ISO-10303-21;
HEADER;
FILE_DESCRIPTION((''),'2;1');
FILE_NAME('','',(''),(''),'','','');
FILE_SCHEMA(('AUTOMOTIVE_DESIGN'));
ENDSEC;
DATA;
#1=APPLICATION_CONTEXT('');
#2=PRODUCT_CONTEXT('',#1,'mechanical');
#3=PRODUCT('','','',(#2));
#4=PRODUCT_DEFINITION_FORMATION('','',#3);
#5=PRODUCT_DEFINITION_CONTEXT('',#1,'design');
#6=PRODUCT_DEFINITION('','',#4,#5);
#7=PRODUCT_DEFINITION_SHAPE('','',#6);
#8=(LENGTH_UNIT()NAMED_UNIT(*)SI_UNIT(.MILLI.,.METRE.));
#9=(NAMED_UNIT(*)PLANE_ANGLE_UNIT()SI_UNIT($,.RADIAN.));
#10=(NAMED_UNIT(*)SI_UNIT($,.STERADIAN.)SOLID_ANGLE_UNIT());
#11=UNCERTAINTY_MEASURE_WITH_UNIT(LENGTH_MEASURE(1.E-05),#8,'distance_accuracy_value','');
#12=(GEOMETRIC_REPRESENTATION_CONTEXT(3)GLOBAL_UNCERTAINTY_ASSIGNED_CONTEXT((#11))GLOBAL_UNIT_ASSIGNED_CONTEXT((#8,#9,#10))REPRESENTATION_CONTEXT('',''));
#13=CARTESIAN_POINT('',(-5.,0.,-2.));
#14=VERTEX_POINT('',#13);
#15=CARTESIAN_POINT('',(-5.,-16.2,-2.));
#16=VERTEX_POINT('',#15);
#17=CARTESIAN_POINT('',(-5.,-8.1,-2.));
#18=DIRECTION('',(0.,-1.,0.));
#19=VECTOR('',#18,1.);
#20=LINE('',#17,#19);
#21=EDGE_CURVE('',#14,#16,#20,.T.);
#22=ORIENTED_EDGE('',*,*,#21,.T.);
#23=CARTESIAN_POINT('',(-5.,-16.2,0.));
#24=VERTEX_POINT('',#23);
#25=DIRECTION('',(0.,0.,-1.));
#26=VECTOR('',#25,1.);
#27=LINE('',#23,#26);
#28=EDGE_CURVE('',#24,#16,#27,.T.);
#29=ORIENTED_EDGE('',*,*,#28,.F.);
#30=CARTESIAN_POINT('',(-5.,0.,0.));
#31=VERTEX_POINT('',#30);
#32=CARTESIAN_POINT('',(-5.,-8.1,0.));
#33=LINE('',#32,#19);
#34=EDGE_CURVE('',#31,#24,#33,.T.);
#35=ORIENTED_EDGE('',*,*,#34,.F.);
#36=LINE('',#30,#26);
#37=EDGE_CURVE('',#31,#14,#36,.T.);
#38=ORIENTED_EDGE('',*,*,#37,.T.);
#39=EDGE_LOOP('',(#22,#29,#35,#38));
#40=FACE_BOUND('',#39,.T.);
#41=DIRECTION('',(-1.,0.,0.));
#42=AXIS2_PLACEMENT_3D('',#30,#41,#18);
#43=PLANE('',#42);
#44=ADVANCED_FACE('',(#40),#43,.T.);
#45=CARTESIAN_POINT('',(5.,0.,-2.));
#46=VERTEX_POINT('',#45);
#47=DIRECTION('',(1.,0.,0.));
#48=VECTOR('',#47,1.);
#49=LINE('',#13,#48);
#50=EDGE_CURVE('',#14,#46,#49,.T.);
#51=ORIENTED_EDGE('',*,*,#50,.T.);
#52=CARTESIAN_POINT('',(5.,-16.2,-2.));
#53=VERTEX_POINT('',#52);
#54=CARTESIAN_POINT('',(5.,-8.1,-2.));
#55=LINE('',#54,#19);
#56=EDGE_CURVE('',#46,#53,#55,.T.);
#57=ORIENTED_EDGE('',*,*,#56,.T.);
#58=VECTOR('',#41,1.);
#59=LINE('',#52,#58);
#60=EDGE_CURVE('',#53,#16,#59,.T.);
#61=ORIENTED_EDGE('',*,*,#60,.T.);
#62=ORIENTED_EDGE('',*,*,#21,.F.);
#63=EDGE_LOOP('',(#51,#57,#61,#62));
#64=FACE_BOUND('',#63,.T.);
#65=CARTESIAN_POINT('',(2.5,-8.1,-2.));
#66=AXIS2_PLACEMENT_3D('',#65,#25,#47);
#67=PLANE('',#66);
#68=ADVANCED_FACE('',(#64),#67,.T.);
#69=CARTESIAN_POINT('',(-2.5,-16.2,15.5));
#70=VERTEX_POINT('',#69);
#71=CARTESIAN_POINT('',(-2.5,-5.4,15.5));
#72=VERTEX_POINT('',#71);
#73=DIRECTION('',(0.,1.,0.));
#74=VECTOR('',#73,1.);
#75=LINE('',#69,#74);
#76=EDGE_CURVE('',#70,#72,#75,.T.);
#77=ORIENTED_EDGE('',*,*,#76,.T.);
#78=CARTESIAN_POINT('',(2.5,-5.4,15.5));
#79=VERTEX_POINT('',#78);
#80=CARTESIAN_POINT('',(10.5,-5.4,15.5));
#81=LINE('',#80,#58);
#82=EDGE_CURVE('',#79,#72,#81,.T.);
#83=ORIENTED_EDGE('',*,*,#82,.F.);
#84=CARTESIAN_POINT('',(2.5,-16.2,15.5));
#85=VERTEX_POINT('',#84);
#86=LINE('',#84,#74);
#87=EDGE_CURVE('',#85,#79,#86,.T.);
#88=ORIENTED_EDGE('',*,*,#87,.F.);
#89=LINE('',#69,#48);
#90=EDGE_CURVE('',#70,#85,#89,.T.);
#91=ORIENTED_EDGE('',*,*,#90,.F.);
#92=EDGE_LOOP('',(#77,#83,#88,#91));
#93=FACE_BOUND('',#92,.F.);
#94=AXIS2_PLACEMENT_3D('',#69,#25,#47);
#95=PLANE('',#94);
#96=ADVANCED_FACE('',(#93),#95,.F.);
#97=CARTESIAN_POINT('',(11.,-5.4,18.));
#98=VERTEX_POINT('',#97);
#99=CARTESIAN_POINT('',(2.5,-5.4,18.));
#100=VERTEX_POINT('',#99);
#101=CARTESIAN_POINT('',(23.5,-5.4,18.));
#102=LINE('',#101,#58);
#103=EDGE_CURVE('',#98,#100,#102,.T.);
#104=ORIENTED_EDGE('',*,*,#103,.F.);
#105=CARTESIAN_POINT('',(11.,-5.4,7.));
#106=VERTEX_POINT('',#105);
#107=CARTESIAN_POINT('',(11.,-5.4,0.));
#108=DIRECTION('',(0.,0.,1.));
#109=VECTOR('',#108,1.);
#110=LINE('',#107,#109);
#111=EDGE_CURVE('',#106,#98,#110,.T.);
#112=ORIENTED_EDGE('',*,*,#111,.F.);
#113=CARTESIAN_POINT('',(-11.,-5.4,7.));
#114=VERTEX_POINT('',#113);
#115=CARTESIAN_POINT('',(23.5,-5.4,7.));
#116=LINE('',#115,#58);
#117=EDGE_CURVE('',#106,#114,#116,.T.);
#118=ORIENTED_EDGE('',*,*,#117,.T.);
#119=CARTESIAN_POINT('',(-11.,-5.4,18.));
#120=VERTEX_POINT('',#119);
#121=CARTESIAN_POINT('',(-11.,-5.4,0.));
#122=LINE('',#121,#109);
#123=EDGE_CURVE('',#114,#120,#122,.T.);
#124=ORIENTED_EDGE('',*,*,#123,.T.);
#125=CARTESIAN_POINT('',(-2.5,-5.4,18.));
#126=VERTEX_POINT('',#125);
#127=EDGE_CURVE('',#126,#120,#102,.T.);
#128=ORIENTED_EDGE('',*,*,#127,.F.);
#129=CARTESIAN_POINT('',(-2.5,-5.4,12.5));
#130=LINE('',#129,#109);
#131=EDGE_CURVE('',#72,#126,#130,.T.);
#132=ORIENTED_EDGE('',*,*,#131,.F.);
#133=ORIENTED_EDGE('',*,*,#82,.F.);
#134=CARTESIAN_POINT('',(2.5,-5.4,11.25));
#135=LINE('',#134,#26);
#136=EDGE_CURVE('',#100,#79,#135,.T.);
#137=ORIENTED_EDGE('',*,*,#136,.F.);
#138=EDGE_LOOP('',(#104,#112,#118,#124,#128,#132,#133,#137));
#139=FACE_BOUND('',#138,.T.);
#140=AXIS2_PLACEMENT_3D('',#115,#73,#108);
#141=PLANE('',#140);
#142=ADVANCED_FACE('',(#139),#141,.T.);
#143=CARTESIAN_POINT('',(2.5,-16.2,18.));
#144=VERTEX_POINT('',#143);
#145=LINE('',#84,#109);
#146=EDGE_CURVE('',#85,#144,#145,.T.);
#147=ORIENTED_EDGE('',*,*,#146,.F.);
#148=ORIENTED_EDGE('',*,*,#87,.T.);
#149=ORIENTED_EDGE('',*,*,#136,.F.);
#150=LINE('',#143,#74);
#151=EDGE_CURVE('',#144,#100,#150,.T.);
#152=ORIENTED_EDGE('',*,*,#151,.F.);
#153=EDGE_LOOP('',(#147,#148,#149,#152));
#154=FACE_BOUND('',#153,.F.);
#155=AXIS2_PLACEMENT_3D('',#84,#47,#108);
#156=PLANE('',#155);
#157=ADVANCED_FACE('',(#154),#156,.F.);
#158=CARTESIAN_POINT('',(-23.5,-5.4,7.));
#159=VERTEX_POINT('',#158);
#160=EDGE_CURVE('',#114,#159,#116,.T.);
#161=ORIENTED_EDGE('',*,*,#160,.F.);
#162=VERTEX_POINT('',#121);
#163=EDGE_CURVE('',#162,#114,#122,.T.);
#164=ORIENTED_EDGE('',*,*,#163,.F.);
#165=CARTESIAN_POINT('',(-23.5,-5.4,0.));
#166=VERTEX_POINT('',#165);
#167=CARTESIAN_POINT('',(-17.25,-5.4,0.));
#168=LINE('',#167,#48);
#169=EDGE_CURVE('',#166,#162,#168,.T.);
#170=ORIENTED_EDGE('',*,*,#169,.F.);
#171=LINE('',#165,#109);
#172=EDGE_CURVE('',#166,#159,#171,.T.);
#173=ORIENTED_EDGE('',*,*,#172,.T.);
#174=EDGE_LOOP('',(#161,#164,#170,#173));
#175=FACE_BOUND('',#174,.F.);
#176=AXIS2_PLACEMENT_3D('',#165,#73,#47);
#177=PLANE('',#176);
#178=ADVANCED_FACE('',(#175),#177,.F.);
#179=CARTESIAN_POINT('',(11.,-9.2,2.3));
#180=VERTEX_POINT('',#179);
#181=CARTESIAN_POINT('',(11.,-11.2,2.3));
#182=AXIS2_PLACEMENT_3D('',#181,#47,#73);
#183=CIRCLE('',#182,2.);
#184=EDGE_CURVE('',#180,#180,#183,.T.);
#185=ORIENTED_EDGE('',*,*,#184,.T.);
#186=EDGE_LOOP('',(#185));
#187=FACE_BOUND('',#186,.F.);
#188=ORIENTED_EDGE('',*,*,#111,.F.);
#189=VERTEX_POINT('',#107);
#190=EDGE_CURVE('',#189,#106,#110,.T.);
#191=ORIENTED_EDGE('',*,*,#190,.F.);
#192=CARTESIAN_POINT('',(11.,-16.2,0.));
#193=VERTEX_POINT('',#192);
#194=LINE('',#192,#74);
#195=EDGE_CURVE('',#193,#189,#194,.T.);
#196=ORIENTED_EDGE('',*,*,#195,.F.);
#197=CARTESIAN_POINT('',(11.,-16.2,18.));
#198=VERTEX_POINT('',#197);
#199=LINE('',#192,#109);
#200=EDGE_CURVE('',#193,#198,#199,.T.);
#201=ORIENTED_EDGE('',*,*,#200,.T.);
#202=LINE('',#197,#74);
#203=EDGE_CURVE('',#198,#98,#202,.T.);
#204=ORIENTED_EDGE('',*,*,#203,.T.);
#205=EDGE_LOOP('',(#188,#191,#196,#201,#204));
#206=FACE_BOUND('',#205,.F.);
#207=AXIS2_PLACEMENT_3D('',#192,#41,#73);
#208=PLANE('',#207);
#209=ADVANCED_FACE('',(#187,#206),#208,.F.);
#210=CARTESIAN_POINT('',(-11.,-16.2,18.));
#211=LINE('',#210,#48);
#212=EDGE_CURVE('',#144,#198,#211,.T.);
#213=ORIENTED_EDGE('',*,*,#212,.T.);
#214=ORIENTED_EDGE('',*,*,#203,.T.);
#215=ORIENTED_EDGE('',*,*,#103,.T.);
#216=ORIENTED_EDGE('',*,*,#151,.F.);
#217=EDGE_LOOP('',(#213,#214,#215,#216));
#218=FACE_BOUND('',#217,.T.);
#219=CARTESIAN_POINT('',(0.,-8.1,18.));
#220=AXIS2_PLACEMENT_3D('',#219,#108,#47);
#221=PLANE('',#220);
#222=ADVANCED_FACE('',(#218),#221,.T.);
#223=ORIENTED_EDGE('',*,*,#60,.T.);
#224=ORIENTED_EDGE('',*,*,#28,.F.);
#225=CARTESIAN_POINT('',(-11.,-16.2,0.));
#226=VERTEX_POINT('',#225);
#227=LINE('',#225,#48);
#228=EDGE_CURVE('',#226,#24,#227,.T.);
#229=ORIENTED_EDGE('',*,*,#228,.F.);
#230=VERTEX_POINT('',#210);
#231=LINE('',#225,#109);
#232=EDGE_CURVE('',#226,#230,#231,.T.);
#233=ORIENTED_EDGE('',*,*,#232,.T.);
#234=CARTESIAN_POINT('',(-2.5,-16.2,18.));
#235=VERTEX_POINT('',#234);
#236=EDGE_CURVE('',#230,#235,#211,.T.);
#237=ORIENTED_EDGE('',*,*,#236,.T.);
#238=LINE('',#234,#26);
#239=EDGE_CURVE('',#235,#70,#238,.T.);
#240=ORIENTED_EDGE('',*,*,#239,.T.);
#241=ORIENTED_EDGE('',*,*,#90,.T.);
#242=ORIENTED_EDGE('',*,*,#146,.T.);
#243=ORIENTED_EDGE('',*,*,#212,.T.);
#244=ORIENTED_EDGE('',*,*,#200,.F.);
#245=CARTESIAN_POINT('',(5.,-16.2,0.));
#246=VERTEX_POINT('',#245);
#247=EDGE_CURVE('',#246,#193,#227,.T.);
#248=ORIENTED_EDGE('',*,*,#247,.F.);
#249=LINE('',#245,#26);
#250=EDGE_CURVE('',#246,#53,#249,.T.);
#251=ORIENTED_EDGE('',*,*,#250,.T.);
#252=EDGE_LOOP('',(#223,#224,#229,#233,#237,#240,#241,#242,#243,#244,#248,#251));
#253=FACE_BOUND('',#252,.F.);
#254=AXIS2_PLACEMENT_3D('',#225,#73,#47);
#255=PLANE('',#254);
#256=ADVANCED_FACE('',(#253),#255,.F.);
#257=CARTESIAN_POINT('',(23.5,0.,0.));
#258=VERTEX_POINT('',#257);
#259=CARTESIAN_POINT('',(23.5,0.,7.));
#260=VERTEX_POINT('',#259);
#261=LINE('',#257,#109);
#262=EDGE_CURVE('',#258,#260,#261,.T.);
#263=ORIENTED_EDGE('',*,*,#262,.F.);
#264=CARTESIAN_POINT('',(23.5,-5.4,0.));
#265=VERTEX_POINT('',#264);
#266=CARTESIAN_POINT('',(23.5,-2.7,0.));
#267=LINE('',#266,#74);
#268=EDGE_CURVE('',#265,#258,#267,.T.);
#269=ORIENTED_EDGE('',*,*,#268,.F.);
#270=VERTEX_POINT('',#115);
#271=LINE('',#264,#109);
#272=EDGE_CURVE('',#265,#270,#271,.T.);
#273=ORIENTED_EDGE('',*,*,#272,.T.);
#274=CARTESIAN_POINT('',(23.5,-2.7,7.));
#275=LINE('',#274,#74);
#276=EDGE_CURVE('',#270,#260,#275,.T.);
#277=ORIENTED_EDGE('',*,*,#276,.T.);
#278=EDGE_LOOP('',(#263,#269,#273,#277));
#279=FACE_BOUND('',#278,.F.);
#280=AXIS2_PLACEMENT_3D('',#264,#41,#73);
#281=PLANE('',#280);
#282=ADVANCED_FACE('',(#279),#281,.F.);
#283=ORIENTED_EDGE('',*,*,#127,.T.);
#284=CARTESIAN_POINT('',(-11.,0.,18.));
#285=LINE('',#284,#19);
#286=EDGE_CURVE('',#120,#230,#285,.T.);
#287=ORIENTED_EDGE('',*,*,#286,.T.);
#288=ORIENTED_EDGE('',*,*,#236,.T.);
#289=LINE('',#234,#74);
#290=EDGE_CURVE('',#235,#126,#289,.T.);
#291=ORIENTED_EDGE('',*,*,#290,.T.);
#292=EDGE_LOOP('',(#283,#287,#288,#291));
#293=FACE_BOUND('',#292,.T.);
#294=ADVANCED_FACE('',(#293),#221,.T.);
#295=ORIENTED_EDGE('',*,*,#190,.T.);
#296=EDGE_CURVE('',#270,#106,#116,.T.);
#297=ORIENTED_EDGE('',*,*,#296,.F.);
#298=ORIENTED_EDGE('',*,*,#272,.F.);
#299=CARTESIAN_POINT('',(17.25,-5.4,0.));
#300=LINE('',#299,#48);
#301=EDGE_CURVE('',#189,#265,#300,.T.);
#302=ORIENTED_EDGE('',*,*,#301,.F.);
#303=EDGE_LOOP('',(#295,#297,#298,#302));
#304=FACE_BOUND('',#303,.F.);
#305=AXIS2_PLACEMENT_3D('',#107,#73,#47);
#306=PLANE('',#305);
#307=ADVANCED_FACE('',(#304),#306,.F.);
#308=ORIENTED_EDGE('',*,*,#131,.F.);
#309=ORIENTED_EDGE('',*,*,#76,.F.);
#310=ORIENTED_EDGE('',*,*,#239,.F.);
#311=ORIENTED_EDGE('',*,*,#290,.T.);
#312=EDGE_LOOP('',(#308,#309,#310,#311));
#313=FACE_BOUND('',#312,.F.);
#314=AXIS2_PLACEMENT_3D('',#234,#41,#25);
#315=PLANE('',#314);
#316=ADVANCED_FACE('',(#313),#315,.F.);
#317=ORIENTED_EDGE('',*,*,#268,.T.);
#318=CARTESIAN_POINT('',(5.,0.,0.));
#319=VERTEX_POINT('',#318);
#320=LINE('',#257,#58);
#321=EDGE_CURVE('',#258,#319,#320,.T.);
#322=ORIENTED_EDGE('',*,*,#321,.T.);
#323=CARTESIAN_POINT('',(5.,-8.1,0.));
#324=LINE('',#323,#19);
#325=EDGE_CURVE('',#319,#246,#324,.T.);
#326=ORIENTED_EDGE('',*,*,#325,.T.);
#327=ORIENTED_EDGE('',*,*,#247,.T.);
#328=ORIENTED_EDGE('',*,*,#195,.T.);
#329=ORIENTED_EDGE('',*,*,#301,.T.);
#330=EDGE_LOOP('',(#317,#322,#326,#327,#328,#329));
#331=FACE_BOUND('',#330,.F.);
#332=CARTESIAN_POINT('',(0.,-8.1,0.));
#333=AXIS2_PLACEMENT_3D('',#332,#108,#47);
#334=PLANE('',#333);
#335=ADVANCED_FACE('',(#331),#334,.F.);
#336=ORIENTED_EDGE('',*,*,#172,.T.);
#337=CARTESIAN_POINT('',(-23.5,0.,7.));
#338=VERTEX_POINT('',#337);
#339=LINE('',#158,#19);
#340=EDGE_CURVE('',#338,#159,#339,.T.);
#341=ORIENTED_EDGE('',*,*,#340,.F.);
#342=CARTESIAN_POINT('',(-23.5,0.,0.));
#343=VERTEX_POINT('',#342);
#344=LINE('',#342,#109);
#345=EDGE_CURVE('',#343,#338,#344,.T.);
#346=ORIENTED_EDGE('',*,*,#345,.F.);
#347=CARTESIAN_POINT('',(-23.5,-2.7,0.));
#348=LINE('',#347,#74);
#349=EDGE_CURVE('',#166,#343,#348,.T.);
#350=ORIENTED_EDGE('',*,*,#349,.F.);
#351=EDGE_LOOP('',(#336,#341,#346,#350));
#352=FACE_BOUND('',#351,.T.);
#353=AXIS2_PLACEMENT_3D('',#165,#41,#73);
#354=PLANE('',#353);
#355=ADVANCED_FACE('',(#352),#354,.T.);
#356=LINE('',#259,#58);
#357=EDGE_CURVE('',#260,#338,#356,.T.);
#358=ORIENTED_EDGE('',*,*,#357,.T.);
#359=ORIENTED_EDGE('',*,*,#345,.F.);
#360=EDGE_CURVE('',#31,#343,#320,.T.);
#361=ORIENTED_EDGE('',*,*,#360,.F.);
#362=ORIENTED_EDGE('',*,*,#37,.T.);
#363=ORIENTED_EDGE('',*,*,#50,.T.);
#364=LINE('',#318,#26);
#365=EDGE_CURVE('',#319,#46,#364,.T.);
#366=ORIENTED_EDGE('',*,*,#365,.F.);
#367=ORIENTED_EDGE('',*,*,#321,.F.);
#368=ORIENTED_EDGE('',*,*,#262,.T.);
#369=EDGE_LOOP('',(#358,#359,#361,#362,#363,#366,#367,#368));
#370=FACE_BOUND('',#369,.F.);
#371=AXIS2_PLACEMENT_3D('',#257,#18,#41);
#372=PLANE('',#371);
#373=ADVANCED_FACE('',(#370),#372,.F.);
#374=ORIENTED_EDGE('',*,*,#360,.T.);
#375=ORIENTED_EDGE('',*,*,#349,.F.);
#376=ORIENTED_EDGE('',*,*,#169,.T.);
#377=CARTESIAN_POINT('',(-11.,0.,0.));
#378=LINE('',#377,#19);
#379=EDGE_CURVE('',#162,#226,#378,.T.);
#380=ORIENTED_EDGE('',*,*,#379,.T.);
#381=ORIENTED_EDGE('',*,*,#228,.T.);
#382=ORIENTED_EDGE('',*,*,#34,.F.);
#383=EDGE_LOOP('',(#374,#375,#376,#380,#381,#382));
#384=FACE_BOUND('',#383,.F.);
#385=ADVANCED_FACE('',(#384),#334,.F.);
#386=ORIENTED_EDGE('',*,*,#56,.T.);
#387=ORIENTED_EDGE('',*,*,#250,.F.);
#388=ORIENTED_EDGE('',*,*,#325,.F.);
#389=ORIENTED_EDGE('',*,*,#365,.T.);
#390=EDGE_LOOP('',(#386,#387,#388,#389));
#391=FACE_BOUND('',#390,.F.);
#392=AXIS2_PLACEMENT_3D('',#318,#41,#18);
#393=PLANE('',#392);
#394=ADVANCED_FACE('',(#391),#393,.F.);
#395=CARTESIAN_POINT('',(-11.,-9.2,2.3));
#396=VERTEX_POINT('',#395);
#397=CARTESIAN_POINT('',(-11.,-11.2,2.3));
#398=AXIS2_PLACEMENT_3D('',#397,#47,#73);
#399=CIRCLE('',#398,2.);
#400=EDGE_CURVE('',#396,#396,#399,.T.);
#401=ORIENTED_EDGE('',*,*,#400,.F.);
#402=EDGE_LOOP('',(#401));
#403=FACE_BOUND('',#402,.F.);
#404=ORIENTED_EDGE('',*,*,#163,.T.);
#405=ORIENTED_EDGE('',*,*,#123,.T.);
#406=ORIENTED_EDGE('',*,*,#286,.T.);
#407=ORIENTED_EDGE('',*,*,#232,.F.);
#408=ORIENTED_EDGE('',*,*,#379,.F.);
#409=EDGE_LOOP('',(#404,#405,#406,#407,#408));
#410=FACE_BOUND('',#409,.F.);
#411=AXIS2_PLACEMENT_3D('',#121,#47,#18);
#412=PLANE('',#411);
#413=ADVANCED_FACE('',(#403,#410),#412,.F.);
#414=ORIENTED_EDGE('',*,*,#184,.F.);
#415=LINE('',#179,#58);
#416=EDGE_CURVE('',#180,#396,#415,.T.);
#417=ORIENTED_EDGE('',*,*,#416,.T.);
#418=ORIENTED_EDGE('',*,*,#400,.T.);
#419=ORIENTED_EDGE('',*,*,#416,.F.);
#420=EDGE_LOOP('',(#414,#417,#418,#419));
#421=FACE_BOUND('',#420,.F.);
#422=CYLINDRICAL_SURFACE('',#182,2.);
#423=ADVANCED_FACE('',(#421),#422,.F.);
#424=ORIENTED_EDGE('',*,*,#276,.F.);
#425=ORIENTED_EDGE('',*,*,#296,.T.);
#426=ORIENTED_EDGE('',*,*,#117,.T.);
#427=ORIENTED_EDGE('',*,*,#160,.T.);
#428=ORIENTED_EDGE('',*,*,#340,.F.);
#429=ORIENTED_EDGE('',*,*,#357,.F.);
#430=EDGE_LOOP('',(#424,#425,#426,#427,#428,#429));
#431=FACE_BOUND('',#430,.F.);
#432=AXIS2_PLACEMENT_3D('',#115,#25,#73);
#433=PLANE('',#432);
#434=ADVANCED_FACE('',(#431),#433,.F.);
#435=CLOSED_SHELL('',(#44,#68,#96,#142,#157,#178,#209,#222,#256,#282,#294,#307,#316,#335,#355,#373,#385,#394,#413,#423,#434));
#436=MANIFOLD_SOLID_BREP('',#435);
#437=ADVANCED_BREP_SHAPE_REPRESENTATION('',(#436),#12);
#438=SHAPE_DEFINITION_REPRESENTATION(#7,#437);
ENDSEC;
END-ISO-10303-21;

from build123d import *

# Parameters (mm, degrees)
F0_W     = 12.5
F0_H     = 5.4
F1_DEPTH = 18
F2_R     = 2
F3_DEPTH = 34.501
F4_W     = 5
F4_H     = 16.2
F5_DEPTH = 2
F6_W     = 5.4
F6_H     = 11
F7_DEPTH = 47.001
F9_DEPTH = 16.201


with BuildPart() as f1:
    # F0 (on Top) → F1 (new body)
    with BuildSketch(Plane.XY):
        Polygon((11, 0), (0, 0), (-11, 0), (-11, -5.4), (-11, -16.2), (0, -16.2), (11, -16.2), (11, -5.4), align=None)
        with Locations((17.25, -2.7)):
            Rectangle(F0_W, F0_H)
        with Locations((-17.25, -2.7)):
            Rectangle(F0_W, F0_H)
    extrude(amount=F1_DEPTH)

    # F2 (on face) → F3 (cut, through all)
    with BuildSketch(Plane.YZ.offset(11)):
        with Locations((-11.2, 2.3)):
            Circle(F2_R)
    extrude(amount=-F3_DEPTH, mode=Mode.SUBTRACT)

    # F4 (on face) → F5 (join)
    with BuildSketch(Plane(origin=(0, 0, 0), x_dir=(1, 0, 0), z_dir=(0, 0, -1))):
        with Locations((2.5, 8.1)):
            Rectangle(F4_W, F4_H)
        with Locations((-2.5, 8.1)):
            Rectangle(F4_W, F4_H)
    extrude(amount=F5_DEPTH)

    # F6 (on face) → F7 (cut, through all)
    with BuildSketch(Plane.YZ.offset(23.5)):
        with Locations((-2.7, 12.5)):
            Rectangle(F6_W, F6_H)
    extrude(amount=-F7_DEPTH, mode=Mode.SUBTRACT)

    # F8 (on face) → F9 (cut, through all)
    with BuildSketch(Plane.XZ.offset(16.2)):
        Polygon((2.5, 18), (0, 18), (-2.5, 18), (-2.5, 15.5), (2.5, 15.5), align=None)
    extrude(amount=-F9_DEPTH, mode=Mode.SUBTRACT)


solid = f1.part
